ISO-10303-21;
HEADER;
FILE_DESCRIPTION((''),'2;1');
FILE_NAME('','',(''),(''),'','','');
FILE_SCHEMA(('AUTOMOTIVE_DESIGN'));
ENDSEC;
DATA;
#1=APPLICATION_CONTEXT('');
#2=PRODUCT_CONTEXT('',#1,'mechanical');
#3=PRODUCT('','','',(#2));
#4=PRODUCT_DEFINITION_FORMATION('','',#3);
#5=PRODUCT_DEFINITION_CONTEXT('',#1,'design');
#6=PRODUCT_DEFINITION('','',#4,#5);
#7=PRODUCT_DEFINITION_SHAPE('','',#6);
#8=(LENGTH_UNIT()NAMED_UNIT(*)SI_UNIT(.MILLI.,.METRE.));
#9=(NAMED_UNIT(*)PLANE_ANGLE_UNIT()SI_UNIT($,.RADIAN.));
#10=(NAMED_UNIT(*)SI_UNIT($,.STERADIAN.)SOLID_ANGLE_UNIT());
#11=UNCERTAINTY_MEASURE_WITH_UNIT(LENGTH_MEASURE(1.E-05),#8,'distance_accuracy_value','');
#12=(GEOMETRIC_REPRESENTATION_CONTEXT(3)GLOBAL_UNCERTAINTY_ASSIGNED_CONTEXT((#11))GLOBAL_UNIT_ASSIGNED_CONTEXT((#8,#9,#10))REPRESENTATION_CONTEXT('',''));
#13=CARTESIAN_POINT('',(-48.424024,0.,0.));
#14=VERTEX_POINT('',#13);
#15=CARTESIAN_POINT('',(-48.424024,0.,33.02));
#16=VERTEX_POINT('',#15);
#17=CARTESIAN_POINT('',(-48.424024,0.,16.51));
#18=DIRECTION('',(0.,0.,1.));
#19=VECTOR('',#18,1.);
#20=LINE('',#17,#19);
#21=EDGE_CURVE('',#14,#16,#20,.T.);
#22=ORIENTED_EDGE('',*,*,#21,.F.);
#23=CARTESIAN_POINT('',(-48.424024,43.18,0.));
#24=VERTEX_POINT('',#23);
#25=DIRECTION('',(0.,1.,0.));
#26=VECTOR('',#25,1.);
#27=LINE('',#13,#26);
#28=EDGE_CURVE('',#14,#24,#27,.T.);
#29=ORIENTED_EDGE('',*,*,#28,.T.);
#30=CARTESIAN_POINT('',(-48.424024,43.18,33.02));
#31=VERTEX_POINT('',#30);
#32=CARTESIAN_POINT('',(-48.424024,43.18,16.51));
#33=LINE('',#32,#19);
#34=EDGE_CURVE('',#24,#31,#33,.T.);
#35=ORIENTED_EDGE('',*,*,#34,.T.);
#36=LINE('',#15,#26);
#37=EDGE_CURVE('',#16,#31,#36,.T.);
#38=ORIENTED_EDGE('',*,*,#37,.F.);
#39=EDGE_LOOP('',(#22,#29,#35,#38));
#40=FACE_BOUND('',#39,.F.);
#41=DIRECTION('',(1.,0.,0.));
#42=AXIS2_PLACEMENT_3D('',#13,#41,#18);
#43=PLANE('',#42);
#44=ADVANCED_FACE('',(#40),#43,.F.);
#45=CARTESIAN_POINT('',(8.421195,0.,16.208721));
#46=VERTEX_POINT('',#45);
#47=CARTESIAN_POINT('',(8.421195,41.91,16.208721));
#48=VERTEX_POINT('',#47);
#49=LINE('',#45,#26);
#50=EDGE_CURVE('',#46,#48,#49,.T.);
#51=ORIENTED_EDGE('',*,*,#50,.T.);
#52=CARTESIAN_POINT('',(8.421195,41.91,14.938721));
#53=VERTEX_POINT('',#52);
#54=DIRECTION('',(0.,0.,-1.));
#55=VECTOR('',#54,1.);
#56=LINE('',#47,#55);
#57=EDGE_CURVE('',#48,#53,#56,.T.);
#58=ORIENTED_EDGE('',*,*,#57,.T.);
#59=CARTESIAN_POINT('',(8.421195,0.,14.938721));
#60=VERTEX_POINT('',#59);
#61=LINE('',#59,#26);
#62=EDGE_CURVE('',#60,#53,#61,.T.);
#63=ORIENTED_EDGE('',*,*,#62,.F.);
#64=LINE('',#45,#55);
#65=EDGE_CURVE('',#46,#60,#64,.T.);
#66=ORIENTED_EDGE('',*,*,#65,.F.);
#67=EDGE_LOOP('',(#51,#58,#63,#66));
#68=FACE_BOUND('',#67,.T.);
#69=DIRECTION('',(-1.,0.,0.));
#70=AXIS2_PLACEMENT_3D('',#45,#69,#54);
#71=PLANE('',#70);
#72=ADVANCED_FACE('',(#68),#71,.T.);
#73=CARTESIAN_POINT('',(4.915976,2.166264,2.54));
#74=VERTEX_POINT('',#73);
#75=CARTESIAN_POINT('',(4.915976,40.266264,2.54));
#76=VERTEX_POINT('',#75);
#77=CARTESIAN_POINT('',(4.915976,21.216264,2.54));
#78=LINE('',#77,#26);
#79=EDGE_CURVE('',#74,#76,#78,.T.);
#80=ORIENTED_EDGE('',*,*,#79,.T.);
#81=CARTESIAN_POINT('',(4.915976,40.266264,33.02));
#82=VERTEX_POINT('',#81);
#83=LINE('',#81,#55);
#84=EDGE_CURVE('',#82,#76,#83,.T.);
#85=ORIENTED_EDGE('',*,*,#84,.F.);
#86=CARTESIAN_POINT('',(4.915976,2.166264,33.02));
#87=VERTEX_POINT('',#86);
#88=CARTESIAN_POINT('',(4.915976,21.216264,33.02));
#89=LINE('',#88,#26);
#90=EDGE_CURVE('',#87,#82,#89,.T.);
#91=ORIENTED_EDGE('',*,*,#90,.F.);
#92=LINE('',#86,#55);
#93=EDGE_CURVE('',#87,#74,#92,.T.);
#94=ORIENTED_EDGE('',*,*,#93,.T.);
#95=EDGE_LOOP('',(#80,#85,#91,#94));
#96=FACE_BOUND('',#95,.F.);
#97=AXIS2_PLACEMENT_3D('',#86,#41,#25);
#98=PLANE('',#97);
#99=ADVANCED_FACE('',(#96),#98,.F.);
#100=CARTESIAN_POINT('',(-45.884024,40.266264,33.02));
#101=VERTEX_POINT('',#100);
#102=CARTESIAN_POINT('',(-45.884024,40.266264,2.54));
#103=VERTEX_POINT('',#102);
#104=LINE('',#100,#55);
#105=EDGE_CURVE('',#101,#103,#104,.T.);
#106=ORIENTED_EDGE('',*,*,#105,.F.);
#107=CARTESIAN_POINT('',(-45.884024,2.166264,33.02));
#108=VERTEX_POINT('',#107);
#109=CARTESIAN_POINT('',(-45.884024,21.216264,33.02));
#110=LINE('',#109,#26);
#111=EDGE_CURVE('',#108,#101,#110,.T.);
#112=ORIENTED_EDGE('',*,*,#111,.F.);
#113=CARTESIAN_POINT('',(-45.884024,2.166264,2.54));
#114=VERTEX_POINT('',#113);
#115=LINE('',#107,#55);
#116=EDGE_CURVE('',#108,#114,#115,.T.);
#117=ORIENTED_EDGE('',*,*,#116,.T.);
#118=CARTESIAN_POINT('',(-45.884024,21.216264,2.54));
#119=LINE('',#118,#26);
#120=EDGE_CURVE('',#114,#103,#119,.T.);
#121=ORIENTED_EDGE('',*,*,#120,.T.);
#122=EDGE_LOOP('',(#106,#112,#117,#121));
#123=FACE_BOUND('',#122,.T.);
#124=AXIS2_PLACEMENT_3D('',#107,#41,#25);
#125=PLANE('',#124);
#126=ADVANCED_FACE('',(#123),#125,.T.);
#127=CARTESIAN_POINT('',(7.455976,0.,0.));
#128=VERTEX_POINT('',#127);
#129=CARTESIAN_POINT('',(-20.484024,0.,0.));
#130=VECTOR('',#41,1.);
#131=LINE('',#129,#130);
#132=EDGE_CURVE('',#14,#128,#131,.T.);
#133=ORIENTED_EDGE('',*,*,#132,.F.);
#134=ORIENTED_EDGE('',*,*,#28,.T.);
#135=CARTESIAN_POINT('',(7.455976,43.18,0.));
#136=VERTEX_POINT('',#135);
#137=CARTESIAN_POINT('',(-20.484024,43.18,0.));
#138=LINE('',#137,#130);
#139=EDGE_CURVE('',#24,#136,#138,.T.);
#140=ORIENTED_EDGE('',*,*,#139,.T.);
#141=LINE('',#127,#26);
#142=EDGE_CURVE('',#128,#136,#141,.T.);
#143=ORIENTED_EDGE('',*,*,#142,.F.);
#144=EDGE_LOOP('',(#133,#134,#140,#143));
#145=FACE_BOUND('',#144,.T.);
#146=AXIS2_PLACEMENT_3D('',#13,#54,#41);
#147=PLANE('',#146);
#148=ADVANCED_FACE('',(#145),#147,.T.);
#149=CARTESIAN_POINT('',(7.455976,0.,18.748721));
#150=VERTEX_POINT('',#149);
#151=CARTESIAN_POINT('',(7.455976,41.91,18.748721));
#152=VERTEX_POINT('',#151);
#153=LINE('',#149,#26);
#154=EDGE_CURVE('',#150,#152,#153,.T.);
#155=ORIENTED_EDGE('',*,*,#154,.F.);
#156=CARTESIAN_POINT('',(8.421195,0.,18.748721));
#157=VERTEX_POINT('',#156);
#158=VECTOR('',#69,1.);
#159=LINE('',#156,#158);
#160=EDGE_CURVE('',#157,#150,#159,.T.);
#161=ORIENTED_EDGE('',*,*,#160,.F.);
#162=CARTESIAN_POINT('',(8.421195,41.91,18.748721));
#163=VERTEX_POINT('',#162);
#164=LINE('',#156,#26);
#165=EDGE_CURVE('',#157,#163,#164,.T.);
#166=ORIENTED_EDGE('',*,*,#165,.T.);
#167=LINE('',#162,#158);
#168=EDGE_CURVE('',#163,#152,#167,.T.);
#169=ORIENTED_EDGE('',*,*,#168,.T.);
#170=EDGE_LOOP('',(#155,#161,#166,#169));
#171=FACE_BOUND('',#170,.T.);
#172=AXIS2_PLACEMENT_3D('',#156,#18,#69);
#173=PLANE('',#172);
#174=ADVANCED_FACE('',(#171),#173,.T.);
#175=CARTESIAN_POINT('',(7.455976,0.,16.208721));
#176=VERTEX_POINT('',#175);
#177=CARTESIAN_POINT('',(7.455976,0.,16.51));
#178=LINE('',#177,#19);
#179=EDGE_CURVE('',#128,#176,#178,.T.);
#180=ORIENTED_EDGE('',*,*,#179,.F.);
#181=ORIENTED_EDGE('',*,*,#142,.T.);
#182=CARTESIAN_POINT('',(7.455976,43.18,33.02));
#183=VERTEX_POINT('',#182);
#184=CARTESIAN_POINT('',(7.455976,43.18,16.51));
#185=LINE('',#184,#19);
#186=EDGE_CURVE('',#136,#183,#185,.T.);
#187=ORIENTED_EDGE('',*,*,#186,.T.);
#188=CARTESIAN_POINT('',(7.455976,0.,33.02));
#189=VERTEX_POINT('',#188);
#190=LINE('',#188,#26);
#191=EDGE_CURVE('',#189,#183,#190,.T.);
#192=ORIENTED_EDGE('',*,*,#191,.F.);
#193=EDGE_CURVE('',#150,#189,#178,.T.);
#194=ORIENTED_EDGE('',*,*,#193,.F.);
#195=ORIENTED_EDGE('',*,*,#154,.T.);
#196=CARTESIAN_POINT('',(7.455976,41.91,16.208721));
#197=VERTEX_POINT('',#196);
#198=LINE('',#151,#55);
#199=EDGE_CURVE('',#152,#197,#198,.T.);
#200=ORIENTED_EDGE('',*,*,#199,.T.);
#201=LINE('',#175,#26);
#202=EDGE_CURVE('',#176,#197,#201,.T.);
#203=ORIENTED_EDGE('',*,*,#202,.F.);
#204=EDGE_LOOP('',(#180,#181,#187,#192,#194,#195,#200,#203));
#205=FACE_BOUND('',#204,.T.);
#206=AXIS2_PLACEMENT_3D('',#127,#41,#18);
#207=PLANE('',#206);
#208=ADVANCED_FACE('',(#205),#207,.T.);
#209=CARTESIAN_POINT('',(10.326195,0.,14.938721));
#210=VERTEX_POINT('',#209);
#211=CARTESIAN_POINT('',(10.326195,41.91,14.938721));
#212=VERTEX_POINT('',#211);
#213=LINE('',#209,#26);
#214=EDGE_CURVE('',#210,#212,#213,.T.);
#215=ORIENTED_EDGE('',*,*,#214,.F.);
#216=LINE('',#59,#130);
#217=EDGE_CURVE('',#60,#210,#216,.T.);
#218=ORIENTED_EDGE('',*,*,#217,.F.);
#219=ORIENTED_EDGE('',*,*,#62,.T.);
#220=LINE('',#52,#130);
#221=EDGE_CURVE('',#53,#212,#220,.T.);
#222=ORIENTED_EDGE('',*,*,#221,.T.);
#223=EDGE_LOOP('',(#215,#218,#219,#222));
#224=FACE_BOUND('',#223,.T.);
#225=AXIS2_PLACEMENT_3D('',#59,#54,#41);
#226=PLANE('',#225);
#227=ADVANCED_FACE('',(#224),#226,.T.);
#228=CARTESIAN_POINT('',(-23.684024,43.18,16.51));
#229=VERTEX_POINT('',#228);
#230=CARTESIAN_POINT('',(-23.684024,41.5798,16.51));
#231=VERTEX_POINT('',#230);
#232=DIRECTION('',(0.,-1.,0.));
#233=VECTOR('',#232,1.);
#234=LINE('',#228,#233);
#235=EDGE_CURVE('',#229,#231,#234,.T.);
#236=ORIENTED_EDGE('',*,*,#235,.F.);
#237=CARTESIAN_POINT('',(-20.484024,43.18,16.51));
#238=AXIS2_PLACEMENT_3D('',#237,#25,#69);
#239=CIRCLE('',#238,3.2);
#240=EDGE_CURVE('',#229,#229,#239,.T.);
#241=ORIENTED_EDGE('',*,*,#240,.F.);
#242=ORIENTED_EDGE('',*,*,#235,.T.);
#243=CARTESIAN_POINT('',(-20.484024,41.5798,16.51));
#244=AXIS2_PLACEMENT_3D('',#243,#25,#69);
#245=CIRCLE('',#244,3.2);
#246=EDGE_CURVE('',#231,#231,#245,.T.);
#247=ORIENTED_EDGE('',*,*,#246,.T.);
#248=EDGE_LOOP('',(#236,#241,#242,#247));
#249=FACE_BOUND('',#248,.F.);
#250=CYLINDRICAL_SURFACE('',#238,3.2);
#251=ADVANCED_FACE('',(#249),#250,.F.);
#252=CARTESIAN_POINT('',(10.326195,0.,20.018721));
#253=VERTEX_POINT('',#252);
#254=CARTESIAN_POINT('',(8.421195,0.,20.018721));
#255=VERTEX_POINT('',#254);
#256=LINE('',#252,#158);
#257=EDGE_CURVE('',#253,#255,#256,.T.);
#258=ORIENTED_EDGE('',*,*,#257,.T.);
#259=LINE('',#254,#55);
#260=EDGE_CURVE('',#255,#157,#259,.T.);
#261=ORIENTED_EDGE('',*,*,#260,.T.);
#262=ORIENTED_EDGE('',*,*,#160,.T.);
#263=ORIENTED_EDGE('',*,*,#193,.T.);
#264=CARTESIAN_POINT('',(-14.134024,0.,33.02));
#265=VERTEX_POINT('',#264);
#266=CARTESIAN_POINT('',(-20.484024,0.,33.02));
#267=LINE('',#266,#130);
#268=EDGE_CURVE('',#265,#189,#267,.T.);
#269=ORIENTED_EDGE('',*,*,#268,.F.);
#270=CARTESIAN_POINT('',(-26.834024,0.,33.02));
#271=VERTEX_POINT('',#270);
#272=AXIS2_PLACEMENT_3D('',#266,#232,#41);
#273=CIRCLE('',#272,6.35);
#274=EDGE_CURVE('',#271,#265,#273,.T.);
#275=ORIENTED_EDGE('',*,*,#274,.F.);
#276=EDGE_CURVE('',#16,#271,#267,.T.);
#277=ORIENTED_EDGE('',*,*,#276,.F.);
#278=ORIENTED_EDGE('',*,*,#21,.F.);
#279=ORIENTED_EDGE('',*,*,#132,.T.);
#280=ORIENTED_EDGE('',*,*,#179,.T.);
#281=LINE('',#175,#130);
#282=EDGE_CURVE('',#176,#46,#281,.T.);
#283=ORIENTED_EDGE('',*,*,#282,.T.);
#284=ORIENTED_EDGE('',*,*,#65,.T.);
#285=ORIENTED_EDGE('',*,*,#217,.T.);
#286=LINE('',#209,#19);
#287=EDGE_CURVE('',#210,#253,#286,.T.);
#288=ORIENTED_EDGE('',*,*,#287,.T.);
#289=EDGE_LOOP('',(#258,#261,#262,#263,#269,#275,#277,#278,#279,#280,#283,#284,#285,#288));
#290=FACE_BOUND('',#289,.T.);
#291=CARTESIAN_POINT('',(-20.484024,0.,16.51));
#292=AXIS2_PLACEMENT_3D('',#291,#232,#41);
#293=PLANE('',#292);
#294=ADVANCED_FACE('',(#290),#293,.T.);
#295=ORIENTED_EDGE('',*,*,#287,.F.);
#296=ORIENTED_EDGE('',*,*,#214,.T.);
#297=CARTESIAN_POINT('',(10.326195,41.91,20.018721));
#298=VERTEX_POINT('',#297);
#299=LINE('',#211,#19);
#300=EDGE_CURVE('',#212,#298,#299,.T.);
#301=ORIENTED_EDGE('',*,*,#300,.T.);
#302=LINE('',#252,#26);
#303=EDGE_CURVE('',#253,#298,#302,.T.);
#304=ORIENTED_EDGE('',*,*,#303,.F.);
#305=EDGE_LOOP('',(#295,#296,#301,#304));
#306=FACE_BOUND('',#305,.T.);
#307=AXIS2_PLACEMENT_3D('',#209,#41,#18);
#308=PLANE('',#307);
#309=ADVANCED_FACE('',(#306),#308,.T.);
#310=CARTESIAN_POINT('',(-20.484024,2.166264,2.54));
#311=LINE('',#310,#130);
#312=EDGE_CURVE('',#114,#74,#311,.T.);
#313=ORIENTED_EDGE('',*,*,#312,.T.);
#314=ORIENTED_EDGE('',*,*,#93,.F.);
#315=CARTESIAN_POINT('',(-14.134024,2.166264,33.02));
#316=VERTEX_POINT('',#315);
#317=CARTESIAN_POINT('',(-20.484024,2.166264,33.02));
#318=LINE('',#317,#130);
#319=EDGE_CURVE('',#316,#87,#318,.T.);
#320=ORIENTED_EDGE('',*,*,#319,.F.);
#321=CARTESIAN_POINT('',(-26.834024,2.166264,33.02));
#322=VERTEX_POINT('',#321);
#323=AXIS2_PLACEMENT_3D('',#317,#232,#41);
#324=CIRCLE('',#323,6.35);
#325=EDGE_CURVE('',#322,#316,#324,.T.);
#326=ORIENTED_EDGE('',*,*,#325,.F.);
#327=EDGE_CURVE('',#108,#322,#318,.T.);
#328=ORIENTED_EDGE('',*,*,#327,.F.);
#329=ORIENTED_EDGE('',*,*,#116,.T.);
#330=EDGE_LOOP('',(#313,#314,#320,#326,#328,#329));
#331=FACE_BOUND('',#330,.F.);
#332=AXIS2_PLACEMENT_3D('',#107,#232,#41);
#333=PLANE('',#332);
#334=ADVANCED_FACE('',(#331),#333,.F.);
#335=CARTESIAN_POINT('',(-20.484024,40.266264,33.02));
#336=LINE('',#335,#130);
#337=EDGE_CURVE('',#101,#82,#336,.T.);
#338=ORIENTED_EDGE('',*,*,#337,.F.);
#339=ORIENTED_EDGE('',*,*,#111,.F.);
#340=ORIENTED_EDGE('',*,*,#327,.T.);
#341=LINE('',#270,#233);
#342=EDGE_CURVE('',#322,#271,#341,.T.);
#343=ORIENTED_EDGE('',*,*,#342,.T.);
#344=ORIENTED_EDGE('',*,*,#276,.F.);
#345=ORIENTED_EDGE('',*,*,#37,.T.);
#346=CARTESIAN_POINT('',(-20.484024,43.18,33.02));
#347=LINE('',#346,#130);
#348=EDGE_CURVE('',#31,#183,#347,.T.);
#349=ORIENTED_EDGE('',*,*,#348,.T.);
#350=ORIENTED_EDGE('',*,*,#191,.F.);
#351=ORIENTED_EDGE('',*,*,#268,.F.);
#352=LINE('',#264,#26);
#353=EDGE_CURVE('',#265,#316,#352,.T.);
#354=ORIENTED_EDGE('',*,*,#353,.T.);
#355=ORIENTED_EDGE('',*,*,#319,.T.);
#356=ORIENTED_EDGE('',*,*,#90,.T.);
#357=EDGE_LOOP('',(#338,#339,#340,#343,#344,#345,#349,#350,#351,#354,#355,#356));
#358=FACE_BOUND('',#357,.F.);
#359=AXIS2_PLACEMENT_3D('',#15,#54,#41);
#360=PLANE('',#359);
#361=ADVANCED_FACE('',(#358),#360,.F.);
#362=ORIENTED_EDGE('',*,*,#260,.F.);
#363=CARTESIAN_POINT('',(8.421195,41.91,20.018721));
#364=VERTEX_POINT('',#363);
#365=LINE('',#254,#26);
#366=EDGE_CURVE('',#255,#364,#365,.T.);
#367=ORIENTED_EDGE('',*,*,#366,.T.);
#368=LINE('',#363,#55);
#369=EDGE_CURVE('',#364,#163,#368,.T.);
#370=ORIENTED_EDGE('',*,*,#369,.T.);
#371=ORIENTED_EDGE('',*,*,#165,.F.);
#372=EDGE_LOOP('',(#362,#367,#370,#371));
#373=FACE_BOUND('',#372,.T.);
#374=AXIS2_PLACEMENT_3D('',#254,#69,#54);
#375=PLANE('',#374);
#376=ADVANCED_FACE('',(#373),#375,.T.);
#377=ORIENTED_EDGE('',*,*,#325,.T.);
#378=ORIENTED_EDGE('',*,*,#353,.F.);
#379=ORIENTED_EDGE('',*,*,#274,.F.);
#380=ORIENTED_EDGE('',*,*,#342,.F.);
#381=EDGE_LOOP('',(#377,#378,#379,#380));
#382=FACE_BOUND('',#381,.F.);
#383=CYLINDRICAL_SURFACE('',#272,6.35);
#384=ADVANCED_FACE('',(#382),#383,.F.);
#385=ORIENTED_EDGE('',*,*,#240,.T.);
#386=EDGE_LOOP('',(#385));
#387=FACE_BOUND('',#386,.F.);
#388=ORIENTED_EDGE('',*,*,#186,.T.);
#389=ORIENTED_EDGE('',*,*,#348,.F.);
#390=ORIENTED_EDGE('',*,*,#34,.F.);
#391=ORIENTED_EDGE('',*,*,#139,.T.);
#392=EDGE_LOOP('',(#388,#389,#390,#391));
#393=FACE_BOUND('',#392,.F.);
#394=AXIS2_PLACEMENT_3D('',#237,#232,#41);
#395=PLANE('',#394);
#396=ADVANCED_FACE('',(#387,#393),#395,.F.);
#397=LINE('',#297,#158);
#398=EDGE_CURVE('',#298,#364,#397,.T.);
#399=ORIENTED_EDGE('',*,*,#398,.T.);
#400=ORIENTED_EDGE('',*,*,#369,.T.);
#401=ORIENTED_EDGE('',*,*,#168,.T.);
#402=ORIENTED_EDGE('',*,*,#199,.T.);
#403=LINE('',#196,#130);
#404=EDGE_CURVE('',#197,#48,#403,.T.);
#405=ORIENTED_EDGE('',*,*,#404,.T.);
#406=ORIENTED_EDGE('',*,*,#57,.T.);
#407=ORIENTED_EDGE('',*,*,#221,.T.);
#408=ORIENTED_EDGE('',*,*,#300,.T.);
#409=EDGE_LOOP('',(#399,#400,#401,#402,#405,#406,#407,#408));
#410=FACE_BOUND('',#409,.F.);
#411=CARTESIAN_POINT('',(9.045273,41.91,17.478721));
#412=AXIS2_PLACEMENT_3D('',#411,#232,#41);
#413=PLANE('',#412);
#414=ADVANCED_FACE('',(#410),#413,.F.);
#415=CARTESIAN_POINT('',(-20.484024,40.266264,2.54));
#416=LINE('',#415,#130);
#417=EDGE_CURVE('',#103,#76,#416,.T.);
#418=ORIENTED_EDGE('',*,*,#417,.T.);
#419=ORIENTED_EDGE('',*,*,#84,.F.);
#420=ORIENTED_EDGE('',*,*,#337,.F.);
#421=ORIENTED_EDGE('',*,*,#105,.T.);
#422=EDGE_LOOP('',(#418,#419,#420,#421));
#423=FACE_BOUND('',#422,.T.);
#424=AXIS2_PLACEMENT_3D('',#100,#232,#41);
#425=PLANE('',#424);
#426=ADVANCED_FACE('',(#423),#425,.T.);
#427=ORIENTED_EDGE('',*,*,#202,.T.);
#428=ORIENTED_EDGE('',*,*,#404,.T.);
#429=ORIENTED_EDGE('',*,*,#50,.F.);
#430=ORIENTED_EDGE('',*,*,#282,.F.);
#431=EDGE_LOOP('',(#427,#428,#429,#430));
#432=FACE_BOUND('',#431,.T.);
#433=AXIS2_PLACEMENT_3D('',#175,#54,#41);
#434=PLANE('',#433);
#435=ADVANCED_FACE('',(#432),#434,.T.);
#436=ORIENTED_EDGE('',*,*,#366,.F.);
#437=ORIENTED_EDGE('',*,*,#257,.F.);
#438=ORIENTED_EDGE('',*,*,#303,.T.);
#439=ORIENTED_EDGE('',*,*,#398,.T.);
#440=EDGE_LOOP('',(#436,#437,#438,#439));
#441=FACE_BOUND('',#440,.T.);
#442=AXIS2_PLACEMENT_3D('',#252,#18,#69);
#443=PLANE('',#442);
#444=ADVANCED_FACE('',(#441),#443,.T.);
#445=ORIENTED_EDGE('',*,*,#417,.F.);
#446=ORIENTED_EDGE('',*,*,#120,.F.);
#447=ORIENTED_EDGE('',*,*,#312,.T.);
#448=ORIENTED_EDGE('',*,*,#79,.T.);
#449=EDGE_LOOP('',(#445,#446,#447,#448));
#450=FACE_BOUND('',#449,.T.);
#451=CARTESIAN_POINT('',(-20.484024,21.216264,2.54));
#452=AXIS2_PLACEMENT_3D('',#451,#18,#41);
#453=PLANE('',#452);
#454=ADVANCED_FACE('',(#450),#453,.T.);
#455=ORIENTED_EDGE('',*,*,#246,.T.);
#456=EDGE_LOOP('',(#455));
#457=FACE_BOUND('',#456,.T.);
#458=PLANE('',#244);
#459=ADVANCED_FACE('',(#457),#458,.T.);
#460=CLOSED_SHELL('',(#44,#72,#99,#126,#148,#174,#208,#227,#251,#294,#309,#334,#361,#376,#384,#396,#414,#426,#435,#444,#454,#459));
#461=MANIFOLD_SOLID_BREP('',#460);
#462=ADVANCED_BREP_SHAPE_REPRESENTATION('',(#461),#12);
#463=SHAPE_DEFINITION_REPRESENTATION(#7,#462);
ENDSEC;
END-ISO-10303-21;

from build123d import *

# Parameters (mm, degrees)
F0_W     = 55.88
F0_H     = 33.02
F1_DEPTH = 43.18
F2_W     = 50.8
F2_H     = 38.1
F3_DEPTH = 30.48
F4_R     = 6.35
F5_DEPTH = 25.4
F6_R     = 3.2
F7_DEPTH = 1.6002
F9_DEPTH = 41.91


with BuildPart() as f1:
    # F0 (on Front) → F1 (new body)
    with BuildSketch(Plane.XZ):
        with Locations((-20.484024, 16.51)):
            Rectangle(F0_W, F0_H)
    extrude(amount=-F1_DEPTH)

    # F2 (on face) → F3 (cut)
    with BuildSketch(Plane.XY.offset(33.02)):
        with Locations((-20.484024, 21.216264)):
            Rectangle(F2_W, F2_H)
    extrude(amount=-F3_DEPTH, mode=Mode.SUBTRACT)

    # F4 (on face) → F5 (cut)
    with BuildSketch(Plane.XZ):
        with Locations((-20.484024, 33.02)):
            Circle(F4_R)
    extrude(amount=-F5_DEPTH, mode=Mode.SUBTRACT)

    # F6 (on face) → F7 (cut)
    with BuildSketch(Plane(origin=(0, 43.18, 0), x_dir=(-1, 0, 0), z_dir=(0, 1, 0))):
        with Locations((20.484024, 16.51)):
            Circle(F6_R)
    extrude(amount=-F7_DEPTH, mode=Mode.SUBTRACT)

    # F8 (on face) → F9 (join)
    with BuildSketch(Plane.XZ):
        Polygon((8.421195, 20.018721), (8.421195, 18.748721), (7.455976, 18.748721), (7.455976, 16.208721), (8.421195, 16.208721), (8.421195, 14.938721), (10.326195, 14.938721), (10.326195, 20.018721), align=None)
    extrude(amount=-F9_DEPTH)


solid = f1.part
